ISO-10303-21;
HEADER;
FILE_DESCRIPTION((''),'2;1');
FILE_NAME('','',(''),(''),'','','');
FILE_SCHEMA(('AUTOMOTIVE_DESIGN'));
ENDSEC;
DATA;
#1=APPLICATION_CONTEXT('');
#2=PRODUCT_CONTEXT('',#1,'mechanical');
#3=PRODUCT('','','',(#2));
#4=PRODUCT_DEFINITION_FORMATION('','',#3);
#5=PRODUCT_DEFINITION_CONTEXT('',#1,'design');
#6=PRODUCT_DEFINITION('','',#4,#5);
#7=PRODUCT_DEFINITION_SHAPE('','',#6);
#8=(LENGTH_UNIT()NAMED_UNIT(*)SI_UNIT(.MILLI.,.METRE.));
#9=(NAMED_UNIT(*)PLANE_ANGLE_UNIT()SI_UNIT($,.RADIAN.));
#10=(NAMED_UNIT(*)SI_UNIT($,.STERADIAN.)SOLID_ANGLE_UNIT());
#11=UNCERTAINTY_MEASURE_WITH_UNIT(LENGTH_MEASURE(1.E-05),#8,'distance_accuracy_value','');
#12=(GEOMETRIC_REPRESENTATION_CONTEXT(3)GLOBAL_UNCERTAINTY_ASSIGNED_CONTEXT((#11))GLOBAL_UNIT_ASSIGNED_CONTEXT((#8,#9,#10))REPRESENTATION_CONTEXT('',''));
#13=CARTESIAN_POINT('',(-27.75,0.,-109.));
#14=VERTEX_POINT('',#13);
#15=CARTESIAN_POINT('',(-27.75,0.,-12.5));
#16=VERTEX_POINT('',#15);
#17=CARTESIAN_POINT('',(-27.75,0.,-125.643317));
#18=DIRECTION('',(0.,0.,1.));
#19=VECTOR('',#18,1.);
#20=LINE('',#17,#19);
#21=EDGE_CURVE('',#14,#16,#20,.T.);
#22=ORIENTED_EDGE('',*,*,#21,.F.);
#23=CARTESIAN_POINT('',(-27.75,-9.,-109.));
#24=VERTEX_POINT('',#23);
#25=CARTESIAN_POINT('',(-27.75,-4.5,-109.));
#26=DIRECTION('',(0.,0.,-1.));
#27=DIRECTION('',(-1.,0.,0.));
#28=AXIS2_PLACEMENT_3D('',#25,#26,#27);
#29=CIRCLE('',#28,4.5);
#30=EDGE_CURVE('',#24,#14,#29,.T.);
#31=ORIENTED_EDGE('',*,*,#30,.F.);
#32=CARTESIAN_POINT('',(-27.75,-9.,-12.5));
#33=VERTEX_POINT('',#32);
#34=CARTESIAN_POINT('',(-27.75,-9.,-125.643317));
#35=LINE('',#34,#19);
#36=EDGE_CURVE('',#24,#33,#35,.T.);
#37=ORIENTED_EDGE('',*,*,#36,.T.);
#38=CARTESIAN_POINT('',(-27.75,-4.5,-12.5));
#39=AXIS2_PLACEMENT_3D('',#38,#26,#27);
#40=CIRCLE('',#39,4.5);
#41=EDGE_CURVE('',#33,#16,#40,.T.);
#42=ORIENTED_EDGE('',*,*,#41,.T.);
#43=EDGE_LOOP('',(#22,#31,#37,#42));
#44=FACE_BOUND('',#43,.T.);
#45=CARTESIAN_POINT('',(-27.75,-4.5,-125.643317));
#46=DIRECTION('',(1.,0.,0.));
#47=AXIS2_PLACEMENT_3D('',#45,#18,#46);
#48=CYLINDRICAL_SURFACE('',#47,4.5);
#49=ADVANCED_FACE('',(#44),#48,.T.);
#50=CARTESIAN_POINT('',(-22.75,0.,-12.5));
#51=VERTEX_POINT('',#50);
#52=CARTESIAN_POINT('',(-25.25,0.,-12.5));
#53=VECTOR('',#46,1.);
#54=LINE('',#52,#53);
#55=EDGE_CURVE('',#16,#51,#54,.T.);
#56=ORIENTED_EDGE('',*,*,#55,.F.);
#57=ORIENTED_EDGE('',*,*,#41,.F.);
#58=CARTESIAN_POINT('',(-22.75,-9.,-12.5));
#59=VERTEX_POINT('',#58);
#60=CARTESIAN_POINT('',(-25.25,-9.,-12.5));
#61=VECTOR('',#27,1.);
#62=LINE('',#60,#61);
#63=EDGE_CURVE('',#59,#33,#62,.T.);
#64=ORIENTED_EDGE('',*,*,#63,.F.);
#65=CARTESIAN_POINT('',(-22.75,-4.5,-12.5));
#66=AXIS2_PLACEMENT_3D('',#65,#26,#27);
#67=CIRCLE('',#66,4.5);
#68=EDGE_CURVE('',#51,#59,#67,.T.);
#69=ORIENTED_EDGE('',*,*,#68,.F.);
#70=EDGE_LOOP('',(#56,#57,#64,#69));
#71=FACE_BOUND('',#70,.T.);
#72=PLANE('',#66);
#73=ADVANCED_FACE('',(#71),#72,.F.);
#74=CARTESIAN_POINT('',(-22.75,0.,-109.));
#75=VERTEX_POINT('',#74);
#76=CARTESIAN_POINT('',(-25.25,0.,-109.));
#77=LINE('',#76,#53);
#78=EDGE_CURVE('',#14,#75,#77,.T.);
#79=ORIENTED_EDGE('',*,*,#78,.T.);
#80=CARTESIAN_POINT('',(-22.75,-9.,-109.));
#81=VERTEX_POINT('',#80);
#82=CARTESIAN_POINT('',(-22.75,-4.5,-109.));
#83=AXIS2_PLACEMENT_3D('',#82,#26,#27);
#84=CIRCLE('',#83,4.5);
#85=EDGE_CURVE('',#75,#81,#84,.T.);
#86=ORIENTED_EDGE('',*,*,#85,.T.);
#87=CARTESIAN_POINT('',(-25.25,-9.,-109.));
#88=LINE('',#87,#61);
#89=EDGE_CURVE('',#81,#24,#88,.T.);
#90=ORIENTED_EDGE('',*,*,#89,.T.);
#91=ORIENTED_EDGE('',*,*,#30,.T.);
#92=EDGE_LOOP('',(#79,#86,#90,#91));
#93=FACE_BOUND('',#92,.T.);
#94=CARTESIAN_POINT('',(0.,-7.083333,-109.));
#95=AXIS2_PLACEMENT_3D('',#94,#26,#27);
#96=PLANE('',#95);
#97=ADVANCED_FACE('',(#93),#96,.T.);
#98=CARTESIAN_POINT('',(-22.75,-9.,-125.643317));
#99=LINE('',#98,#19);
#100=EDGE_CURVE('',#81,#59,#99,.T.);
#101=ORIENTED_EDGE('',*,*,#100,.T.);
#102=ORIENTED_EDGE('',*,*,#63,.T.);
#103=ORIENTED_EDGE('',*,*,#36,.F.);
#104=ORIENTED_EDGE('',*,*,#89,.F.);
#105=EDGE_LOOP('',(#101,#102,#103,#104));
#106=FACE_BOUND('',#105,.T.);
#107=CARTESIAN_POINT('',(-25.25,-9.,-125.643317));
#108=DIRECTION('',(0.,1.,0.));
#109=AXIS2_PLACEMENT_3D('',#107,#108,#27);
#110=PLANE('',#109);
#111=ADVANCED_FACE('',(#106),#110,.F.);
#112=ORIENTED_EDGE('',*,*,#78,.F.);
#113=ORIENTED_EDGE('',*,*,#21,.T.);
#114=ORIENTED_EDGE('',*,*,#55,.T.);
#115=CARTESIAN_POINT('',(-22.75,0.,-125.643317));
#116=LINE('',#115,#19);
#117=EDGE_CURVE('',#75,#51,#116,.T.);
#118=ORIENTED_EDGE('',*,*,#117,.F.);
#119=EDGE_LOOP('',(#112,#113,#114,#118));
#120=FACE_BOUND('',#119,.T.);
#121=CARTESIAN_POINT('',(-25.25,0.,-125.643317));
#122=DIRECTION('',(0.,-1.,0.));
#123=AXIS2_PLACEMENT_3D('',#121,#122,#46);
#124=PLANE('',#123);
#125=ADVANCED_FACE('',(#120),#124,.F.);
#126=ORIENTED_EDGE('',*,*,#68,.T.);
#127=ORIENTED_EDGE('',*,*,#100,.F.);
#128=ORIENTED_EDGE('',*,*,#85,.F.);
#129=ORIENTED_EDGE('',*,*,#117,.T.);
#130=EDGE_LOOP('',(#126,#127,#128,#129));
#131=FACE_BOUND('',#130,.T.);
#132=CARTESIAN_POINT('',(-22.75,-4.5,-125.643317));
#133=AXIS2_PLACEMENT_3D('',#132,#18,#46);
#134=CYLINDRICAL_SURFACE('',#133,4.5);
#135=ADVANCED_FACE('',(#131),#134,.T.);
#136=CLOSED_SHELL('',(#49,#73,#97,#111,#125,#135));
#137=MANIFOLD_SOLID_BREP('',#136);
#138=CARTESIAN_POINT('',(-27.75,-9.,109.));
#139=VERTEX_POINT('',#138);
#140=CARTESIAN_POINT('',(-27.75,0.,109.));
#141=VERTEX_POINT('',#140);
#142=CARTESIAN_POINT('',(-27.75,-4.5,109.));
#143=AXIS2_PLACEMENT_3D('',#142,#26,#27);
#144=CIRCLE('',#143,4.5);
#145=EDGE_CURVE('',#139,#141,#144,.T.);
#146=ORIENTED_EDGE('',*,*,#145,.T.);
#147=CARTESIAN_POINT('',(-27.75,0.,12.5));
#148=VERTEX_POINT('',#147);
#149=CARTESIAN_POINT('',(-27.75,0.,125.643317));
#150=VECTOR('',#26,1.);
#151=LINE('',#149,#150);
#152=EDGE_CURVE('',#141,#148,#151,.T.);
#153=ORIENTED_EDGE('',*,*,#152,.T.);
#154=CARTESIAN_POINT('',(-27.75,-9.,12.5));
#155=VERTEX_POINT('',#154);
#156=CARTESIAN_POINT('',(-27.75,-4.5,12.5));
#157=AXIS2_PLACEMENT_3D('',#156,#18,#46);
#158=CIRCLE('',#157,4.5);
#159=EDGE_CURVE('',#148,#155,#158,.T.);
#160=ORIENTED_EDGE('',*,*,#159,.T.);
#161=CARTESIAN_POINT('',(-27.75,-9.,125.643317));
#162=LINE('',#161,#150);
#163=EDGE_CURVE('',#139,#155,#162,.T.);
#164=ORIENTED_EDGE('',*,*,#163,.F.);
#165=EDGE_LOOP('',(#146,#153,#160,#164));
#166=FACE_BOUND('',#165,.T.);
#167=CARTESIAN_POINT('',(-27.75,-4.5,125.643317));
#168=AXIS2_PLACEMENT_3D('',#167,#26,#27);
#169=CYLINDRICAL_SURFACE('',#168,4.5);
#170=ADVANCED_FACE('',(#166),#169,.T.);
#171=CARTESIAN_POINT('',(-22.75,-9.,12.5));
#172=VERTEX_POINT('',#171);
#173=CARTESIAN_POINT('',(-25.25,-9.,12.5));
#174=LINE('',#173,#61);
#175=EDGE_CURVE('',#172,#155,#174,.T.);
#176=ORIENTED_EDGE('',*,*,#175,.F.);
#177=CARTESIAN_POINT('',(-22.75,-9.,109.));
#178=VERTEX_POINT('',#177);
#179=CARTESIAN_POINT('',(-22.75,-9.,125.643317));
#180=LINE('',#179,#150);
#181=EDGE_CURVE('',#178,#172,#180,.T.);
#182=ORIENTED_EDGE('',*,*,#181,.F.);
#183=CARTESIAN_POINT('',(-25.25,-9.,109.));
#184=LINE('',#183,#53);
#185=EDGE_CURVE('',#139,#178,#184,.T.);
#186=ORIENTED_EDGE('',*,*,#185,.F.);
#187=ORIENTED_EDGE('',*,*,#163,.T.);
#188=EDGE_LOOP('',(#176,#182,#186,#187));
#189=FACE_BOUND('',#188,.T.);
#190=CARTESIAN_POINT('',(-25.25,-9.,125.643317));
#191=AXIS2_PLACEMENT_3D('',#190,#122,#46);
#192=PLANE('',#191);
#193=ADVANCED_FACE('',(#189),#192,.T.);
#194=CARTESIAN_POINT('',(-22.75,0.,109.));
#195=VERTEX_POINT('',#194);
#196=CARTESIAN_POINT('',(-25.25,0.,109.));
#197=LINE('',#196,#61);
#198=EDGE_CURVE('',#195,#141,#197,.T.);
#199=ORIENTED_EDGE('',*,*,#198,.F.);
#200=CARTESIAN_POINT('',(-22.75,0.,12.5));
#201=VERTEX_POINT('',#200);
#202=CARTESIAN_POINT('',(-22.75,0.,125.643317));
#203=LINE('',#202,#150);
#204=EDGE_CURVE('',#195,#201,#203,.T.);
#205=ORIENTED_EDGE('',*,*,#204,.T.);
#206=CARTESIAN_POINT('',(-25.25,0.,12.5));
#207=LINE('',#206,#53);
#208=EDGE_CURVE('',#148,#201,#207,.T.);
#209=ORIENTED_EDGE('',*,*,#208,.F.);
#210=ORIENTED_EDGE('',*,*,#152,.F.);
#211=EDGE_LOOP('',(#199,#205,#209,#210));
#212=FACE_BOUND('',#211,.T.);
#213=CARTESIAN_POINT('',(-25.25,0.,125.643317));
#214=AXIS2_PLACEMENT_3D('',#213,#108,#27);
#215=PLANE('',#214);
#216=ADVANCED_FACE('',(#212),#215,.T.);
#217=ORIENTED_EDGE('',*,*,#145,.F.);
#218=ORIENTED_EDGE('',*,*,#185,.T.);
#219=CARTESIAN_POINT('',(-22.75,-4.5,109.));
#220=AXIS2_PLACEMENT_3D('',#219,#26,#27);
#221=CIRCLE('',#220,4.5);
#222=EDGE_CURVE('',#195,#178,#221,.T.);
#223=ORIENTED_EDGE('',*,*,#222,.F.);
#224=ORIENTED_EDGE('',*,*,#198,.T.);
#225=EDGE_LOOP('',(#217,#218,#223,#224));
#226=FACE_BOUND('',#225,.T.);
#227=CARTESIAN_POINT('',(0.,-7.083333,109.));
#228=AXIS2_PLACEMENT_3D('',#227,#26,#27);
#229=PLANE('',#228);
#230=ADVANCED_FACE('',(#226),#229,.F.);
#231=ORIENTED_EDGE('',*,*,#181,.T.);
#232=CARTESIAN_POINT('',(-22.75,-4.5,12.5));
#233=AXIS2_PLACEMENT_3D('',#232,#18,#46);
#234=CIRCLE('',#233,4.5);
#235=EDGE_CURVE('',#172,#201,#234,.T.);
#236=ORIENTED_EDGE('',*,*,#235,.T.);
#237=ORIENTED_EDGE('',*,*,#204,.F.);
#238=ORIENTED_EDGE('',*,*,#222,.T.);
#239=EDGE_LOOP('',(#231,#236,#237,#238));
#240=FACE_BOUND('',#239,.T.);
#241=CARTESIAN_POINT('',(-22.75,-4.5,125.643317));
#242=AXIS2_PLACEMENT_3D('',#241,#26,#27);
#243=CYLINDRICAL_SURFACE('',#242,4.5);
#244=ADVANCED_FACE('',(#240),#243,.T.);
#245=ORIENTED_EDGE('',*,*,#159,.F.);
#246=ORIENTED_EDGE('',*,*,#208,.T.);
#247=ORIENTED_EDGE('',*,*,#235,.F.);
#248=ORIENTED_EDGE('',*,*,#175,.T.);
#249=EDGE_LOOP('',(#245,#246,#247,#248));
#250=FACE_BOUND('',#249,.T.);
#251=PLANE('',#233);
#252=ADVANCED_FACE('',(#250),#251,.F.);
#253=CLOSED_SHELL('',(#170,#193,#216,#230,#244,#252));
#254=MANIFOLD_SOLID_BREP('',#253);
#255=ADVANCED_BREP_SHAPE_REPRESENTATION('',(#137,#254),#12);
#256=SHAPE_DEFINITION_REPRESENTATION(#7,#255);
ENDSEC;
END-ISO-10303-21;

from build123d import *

# Parameters (mm, degrees)
EXTRUDE_START   = -12.5
EXTRUDE_1_DEPTH = 96.5
EXTRUDE_START_2 = 12.5
EXTRUDE_2_DEPTH = 96.5


with BuildPart() as part:
    # Эскиз1 → Бобышка-Вытянуть1 (new body)
    with BuildSketch(Plane.XY.offset(EXTRUDE_START)):
        with BuildLine():
            Line((-27.75, 0), (-22.75, 0))
            ThreePointArc((-22.75, 0), (-18.25, -4.5), (-22.75, -9))
            Line((-22.75, -9), (-27.75, -9))
            ThreePointArc((-27.75, -9), (-32.25, -4.5), (-27.75, 0))
        make_face()
    extrude(amount=-EXTRUDE_1_DEPTH)


with BuildPart() as body_2:
    # Эскиз1<2> → Бобышка-Вытянуть2 (new body)
    with BuildSketch(Plane.XY.offset(EXTRUDE_START_2)):
        with BuildLine():
            Line((-27.75, 0), (-22.75, 0))
            ThreePointArc((-22.75, 0), (-18.25, -4.5), (-22.75, -9))
            Line((-22.75, -9), (-27.75, -9))
            ThreePointArc((-27.75, -9), (-32.25, -4.5), (-27.75, 0))
        make_face()
    extrude(amount=EXTRUDE_2_DEPTH)


solid = Compound([part.part, body_2.part])
